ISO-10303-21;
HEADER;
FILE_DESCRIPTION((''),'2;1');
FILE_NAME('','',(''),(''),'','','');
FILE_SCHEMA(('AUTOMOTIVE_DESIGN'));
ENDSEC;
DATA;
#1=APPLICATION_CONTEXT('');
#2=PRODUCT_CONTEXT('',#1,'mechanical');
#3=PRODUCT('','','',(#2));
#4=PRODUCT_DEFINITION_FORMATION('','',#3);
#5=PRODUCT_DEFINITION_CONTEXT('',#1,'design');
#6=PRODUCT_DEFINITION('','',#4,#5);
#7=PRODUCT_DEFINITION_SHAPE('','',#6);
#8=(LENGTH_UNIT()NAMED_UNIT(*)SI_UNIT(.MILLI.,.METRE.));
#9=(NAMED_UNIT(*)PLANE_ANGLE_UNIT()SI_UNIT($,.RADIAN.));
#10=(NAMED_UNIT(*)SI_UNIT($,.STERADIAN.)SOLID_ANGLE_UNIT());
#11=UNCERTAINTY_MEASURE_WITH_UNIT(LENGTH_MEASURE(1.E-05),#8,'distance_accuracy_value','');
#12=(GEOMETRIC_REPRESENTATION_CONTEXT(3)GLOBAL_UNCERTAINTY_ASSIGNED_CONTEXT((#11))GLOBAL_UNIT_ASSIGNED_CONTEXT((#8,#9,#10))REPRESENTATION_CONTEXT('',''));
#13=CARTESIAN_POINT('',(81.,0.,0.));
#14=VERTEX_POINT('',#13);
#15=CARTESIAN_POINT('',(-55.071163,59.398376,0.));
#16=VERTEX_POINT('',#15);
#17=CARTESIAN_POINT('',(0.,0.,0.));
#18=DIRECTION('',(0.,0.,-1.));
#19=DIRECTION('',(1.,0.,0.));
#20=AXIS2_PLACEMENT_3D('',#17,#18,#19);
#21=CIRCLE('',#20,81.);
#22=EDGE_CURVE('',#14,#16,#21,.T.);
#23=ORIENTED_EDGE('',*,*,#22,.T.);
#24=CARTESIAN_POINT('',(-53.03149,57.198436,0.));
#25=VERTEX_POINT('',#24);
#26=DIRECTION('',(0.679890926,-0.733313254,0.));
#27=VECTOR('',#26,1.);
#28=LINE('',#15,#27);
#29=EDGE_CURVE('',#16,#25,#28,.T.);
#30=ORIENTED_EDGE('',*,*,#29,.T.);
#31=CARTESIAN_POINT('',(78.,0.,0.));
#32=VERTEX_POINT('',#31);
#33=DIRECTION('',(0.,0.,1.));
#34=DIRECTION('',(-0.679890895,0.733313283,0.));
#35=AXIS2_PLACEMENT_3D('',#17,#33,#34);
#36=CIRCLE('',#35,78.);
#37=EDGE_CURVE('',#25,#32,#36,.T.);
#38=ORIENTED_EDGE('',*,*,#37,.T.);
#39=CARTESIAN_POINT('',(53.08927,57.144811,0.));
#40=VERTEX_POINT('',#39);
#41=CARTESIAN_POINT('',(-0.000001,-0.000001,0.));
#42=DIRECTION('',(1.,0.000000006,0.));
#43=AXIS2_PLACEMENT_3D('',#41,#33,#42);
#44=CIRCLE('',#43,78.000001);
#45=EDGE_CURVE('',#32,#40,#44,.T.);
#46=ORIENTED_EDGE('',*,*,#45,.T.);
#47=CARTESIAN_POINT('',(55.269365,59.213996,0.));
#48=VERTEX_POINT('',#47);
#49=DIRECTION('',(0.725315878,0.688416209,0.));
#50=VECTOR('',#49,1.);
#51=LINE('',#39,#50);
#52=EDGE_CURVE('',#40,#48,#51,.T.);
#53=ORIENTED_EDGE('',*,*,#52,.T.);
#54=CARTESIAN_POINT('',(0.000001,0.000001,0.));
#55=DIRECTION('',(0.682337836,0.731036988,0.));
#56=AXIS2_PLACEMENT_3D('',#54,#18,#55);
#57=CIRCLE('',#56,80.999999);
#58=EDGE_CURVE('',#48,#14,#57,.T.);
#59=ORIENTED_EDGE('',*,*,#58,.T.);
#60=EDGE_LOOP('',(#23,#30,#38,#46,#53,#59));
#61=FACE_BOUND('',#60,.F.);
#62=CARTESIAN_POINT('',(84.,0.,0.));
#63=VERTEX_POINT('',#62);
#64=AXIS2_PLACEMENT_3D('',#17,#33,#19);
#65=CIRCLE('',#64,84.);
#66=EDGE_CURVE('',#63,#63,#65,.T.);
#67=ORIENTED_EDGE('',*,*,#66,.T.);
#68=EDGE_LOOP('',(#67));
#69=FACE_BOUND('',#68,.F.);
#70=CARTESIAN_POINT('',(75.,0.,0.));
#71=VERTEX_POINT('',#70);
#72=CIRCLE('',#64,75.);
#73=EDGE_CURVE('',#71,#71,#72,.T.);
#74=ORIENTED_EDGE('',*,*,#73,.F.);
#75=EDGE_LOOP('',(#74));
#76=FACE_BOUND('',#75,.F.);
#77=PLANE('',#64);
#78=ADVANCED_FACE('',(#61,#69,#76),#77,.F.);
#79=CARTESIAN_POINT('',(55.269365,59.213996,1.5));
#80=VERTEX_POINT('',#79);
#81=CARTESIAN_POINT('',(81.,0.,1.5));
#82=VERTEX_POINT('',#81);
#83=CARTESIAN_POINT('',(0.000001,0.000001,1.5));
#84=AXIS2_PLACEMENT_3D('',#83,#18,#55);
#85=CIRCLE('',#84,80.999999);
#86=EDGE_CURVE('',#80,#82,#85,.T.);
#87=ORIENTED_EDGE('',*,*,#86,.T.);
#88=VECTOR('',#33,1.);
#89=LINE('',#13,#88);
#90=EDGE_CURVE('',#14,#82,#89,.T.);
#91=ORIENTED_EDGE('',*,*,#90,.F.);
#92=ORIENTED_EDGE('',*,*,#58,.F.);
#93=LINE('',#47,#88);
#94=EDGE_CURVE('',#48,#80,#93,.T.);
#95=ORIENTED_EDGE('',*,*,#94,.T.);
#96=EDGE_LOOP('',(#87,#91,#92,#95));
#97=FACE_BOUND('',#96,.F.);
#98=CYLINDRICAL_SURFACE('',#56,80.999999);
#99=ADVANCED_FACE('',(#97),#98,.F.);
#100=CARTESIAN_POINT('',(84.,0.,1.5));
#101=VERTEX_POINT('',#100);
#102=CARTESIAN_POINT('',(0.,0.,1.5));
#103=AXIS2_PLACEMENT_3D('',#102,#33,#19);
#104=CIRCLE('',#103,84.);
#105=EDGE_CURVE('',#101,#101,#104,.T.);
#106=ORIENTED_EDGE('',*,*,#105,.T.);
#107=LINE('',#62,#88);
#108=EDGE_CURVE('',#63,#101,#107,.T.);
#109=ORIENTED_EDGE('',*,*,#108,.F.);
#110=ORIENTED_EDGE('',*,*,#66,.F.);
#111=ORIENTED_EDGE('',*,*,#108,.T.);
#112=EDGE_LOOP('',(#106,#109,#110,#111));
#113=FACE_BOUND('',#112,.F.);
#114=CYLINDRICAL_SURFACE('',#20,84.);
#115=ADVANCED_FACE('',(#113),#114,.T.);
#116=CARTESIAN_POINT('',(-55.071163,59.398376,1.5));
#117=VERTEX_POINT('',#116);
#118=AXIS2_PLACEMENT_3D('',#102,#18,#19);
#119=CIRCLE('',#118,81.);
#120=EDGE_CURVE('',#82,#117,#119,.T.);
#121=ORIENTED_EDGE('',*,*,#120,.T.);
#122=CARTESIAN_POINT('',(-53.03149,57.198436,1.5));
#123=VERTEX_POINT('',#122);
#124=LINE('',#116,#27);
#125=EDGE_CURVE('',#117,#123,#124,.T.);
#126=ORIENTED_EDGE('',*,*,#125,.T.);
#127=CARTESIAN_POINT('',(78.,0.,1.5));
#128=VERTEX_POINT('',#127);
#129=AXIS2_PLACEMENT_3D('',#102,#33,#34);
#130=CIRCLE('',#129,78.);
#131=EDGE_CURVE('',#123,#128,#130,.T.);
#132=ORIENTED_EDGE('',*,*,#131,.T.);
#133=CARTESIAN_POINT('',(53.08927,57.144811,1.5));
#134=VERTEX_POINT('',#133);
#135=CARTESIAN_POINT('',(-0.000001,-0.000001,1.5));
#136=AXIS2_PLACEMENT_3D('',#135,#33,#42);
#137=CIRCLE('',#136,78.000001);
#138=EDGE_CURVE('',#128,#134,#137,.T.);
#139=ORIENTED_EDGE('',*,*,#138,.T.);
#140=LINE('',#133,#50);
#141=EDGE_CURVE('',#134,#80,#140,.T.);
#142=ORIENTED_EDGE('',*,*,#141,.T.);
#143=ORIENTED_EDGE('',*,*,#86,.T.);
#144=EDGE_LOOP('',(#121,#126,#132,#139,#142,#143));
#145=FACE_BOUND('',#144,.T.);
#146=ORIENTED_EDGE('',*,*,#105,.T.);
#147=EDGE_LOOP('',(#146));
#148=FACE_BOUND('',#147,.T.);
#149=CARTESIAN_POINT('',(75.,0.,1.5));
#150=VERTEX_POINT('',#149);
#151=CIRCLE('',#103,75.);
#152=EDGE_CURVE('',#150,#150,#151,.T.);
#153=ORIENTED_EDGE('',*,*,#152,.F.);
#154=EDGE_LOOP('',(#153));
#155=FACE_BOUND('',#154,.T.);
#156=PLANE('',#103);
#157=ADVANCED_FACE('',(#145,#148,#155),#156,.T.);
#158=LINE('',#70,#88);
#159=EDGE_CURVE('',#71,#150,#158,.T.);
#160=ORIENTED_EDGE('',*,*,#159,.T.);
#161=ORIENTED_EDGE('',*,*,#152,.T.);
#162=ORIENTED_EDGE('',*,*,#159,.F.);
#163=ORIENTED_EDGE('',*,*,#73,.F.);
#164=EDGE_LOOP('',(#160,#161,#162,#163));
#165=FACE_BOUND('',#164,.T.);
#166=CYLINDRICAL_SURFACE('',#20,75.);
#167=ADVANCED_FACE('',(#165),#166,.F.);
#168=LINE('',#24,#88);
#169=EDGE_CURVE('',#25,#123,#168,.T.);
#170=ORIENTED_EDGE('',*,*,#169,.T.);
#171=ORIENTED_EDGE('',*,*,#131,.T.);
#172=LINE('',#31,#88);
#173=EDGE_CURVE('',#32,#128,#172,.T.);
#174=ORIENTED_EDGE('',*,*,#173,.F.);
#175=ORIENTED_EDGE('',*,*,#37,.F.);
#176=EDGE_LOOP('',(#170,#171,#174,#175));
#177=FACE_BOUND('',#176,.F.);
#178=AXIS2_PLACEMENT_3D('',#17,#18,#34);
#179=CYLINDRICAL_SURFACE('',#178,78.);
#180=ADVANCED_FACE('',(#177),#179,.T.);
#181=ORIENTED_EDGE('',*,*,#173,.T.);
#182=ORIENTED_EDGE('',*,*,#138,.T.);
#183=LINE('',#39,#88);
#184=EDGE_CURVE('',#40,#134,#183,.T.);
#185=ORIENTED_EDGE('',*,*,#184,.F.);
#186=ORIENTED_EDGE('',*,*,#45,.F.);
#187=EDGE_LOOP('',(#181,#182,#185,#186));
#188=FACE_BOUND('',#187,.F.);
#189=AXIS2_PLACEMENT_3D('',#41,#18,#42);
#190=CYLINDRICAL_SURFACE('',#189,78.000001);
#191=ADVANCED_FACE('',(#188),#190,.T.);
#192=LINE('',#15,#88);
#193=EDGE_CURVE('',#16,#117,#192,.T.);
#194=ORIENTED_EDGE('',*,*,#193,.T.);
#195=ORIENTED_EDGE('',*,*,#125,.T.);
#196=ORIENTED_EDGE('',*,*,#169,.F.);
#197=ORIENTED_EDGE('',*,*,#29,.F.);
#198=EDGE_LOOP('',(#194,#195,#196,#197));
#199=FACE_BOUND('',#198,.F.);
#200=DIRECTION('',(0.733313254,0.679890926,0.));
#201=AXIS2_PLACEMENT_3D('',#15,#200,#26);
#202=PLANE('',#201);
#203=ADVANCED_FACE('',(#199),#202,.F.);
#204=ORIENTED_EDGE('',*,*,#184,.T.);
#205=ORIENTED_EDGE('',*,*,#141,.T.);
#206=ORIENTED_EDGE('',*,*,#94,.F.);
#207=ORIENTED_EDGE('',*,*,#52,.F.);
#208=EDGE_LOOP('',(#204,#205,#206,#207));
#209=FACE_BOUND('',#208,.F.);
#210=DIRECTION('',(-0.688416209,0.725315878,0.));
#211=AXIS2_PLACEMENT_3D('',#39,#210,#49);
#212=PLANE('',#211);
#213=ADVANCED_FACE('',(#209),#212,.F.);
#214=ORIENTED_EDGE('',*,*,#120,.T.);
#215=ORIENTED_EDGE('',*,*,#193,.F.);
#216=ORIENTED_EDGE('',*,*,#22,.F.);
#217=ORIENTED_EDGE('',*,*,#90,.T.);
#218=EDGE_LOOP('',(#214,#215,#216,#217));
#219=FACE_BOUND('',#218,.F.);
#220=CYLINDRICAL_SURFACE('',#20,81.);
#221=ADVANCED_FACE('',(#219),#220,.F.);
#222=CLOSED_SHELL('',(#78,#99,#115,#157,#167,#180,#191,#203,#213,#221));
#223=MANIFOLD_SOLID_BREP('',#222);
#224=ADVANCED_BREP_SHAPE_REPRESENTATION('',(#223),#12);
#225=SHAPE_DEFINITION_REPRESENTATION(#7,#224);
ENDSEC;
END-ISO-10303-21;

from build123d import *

# Parameters (mm, degrees)
F0_R     = 84
F0_R_2   = 75
F1_DEPTH = 1.5


with BuildPart() as f1:
    # F0 (on Top) → F1 (new body)
    with BuildSketch(Plane.XY):
        Circle(F0_R)
        with BuildLine():
            ThreePointArc((55.269365, 59.213996), (74.289362, 32.28143), (81, 0))
            ThreePointArc((81, 0), (-32.405523, -74.235316), (-55.071163, 59.398376))
            ThreePointArc((-55.071163, 59.398376), (0.135352, 80.999887), (55.269365, 59.213996))
        make_face(mode=Mode.SUBTRACT)
        with BuildLine():
            Line((53.08927, 57.144811), (55.269365, 59.213996))
            ThreePointArc((55.269365, 59.213996), (0.135352, 80.999887), (-55.071163, 59.398376))
            Line((-55.071163, 59.398376), (-53.03149, 57.198436))
            ThreePointArc((-53.03149, 57.198436), (0.039415, 77.99999), (53.08927, 57.144811))
        make_face()
        with BuildLine():
            ThreePointArc((78, 0), (71.501619, 31.169191), (53.08927, 57.144811))
            ThreePointArc((53.08927, 57.144811), (0.039415, 77.99999), (-53.03149, 57.198436))
            ThreePointArc((-53.03149, 57.198436), (-31.205318, -71.48586), (78, 0))
        make_face()
        Circle(F0_R_2, mode=Mode.SUBTRACT)
    extrude(amount=F1_DEPTH)


solid = f1.part
